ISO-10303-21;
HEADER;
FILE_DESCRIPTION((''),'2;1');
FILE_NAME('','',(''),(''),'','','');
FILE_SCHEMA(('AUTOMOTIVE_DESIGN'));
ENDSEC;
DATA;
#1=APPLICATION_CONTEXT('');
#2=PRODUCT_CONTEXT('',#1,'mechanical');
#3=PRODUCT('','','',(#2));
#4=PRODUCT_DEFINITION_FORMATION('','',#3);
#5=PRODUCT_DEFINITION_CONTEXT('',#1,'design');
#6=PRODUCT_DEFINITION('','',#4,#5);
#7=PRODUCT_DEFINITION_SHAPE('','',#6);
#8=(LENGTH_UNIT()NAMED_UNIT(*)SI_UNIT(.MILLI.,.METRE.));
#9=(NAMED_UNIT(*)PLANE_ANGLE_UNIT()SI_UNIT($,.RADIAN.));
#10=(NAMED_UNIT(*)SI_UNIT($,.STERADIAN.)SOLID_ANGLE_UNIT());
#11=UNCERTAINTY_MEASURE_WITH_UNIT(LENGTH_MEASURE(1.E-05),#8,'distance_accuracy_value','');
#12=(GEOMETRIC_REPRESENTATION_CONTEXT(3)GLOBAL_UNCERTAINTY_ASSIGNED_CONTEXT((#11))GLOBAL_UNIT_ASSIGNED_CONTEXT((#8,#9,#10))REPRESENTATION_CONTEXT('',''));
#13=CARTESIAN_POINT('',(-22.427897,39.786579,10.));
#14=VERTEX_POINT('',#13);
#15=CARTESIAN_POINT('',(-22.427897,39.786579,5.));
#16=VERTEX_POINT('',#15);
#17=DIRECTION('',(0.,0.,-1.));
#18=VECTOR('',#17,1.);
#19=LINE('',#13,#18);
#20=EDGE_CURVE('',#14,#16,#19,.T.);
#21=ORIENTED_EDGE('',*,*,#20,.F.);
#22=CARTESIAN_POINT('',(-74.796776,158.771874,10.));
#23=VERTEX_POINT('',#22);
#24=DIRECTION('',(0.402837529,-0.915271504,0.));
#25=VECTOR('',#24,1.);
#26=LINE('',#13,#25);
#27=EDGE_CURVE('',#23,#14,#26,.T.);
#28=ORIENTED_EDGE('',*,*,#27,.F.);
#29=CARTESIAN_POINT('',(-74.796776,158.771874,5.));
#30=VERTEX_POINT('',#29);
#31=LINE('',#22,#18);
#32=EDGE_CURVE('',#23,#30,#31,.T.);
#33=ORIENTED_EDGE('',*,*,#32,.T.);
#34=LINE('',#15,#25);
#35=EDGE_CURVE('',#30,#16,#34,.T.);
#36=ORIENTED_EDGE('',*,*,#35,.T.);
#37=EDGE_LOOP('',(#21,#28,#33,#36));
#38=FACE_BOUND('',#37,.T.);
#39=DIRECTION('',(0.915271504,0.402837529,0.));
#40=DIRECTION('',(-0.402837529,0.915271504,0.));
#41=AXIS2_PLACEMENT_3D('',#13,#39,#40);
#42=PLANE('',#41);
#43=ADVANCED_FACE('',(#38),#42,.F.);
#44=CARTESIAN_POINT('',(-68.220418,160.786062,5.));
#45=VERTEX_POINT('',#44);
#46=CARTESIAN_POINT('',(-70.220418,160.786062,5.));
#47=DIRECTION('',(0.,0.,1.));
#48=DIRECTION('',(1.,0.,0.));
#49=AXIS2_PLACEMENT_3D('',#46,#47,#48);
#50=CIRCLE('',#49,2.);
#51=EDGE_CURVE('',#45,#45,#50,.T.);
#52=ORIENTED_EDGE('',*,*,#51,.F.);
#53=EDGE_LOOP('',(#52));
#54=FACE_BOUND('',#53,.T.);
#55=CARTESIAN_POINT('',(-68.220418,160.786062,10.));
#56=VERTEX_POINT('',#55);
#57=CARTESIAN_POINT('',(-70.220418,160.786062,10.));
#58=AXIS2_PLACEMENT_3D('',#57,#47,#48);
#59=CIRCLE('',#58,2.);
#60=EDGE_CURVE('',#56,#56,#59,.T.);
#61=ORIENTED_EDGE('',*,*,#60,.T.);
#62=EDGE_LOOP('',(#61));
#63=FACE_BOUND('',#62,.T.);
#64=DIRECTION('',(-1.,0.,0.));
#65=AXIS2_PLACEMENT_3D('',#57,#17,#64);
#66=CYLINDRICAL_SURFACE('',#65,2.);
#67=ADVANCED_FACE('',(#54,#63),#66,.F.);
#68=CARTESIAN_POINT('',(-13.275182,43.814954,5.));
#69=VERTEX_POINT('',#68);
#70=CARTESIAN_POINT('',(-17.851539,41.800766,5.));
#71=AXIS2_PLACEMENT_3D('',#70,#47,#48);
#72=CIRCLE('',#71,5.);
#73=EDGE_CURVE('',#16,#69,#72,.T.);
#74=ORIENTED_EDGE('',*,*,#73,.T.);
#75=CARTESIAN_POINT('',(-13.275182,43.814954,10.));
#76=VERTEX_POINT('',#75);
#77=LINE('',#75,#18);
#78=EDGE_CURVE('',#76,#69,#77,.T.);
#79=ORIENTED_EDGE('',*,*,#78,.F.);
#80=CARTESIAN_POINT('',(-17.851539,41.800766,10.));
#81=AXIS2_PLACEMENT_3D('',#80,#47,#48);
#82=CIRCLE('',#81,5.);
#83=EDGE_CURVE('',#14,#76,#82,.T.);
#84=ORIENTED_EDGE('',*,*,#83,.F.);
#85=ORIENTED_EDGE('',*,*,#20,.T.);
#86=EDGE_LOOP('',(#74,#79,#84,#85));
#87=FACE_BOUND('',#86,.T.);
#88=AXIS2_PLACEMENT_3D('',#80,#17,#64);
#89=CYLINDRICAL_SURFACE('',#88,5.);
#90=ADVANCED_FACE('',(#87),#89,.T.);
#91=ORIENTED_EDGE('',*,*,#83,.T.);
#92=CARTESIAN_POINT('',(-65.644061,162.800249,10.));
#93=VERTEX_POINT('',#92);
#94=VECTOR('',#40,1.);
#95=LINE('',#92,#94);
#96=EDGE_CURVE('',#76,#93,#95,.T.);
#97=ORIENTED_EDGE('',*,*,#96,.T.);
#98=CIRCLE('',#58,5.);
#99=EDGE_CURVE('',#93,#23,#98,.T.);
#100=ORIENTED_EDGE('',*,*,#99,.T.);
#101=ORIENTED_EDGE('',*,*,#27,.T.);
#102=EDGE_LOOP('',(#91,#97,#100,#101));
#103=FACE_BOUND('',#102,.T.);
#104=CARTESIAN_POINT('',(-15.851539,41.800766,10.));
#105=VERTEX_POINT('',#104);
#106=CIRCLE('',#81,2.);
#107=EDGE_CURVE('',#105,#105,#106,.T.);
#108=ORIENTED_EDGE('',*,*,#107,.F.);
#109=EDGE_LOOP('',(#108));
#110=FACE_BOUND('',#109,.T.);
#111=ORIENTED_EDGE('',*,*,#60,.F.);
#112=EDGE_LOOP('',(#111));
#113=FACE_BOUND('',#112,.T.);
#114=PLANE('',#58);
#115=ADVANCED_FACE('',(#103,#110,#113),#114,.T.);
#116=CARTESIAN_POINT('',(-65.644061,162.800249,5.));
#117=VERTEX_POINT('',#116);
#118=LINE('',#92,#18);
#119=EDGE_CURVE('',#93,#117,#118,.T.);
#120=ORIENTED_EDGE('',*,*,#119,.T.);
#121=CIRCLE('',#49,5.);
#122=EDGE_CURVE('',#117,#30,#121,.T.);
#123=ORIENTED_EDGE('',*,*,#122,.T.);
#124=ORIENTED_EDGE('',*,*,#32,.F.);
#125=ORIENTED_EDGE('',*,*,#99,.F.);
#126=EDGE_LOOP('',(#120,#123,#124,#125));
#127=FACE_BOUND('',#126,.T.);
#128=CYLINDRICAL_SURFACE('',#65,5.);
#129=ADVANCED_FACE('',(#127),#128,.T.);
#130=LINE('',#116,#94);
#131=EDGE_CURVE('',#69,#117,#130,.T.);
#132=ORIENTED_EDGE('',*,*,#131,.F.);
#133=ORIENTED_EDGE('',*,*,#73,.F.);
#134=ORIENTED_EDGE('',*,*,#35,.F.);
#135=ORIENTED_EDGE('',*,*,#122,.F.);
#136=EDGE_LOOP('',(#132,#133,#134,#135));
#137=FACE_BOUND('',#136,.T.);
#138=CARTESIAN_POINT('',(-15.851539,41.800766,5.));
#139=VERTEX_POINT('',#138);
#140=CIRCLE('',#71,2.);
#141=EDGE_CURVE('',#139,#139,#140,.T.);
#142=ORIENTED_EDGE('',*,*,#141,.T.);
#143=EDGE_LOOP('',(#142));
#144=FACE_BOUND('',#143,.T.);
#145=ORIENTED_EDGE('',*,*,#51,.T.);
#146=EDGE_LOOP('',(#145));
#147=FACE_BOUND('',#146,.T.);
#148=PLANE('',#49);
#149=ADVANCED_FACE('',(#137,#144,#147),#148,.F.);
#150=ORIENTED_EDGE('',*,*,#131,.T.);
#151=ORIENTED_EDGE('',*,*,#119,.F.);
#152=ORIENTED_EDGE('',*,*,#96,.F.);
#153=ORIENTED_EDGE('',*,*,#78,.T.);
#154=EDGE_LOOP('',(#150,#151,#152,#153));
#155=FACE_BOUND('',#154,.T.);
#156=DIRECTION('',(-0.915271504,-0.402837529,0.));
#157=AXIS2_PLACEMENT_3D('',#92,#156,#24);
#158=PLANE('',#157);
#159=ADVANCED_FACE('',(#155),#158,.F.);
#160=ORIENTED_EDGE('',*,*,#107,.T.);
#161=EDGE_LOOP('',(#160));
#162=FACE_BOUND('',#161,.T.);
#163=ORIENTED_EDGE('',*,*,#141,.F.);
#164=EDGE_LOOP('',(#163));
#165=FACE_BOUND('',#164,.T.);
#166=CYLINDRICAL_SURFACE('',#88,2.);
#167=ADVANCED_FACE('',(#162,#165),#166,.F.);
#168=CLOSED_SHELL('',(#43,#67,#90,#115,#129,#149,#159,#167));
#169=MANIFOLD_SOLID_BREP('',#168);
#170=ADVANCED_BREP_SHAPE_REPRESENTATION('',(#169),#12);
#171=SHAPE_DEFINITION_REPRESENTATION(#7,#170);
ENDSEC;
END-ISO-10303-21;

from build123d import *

# Parameters (mm, degrees)
BOSS_EXTRUDE1_START = 5
SKETCH1_R           = 2
BOSS_EXTRUDE1_DEPTH = 5


with BuildPart() as part:
    # Sketch1 → Boss-Extrude1 (new body)
    with BuildSketch(Plane.XY.offset(BOSS_EXTRUDE1_START)):
        with BuildLine():
            Line((-65.644060537, 162.800249417), (-13.275181806, 43.814953937))
            ThreePointArc((-13.275181806, 43.814953937), (-15.837351681, 37.224408775), (-22.427896843, 39.78657865))
            Line((-22.427896843, 39.78657865), (-74.796775574, 158.77187413))
            ThreePointArc((-74.796775574, 158.77187413), (-72.234605699, 165.362419292), (-65.644060537, 162.800249417))
        make_face()
        with Locations((-70.220418055, 160.786061774)):
            Circle(SKETCH1_R, mode=Mode.SUBTRACT)
        with Locations((-17.851539324, 41.800766294)):
            Circle(SKETCH1_R, mode=Mode.SUBTRACT)
    extrude(amount=BOSS_EXTRUDE1_DEPTH)


solid = part.part
